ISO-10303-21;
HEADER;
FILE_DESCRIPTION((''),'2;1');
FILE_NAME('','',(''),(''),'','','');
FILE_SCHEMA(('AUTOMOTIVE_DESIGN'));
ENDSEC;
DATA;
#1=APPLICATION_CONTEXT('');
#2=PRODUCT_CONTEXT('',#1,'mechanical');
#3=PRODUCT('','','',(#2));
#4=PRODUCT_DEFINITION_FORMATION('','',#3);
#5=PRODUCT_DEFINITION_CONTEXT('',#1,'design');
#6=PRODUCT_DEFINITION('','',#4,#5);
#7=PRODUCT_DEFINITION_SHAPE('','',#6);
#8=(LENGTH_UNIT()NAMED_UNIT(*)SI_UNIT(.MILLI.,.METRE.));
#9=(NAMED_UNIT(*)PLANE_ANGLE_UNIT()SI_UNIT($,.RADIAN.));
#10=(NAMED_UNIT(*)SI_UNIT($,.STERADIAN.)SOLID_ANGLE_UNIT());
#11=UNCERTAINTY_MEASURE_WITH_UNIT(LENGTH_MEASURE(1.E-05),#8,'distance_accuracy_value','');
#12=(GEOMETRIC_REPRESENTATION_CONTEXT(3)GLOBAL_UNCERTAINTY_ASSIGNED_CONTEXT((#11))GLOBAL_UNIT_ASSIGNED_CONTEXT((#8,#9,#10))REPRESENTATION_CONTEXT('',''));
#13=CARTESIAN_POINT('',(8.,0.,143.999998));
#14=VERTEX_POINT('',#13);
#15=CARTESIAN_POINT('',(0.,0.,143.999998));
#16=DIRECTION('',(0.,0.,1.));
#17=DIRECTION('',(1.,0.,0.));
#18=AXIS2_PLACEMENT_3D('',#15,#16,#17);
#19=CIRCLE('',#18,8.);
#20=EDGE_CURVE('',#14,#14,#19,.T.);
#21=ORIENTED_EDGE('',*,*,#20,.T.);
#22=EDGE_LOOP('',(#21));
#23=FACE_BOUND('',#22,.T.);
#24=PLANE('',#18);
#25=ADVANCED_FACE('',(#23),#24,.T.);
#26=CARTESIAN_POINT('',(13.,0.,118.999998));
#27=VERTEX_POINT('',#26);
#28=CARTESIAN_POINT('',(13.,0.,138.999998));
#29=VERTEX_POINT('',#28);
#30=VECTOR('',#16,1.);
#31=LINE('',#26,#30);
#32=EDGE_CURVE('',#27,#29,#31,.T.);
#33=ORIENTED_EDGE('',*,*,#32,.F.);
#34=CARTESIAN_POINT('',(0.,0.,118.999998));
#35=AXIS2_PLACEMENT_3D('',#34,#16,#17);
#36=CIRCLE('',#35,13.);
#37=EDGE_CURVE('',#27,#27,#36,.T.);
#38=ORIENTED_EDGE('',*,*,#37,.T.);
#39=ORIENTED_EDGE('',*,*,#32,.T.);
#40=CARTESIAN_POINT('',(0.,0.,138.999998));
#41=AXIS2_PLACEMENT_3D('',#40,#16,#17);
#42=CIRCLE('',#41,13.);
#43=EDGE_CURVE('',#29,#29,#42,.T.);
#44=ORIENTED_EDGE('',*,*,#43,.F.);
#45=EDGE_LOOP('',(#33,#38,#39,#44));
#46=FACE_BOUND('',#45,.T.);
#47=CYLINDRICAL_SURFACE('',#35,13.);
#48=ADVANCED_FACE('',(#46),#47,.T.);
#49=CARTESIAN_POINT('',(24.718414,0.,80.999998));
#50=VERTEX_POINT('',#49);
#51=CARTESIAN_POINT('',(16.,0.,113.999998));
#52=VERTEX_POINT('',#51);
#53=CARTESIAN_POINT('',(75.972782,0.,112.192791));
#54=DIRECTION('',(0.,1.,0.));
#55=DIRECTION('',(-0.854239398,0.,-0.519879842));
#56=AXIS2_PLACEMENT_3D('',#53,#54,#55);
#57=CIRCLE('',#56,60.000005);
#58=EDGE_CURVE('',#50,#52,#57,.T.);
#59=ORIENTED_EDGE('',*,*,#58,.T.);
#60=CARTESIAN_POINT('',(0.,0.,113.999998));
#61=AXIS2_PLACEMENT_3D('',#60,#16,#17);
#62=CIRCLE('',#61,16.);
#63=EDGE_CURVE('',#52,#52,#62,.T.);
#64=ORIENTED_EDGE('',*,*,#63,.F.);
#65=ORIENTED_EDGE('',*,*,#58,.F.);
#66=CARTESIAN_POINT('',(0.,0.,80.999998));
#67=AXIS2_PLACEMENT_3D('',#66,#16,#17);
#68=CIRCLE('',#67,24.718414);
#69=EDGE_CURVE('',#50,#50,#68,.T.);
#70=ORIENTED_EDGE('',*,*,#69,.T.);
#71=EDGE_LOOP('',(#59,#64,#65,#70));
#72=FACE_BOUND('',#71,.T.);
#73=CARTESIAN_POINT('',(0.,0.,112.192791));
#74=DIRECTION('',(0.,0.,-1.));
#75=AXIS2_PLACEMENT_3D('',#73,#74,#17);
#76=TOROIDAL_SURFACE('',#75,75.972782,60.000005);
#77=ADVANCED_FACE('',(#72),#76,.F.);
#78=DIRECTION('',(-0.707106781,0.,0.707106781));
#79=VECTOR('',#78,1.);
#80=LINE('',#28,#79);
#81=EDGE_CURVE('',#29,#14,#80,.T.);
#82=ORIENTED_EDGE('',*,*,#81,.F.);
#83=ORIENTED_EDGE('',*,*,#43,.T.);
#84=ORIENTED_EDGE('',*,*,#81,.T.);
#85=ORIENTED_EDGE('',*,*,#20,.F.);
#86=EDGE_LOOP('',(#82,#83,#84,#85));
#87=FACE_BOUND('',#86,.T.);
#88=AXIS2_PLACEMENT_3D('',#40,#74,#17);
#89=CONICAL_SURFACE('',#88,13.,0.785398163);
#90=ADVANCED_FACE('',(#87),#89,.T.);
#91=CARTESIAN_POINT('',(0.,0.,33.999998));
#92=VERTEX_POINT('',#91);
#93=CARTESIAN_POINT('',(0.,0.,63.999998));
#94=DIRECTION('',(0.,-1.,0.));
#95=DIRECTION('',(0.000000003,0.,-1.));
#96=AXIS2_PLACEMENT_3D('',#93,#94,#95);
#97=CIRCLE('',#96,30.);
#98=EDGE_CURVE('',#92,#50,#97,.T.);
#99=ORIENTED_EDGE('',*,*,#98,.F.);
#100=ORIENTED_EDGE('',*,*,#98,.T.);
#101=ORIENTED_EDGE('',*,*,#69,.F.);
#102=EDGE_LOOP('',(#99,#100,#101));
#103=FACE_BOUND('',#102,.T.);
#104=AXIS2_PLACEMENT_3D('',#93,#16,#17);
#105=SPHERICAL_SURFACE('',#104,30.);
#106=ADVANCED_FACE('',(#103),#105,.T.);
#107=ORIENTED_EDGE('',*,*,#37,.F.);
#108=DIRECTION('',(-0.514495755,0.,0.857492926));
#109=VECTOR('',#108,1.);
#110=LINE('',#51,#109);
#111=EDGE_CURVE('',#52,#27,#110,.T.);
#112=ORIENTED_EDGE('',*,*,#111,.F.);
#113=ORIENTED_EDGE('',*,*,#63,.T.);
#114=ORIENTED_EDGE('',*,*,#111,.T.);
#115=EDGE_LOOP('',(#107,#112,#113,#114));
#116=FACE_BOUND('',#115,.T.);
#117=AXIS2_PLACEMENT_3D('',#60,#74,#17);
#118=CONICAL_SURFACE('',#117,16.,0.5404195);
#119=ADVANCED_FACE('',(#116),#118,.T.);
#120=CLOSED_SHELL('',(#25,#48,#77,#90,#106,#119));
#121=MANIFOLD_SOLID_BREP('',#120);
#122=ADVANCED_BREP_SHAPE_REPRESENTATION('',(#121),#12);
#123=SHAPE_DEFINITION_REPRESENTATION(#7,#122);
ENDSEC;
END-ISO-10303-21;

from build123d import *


with BuildPart() as f1:
    # F0 (on Front) → F1 (revolve)
    with BuildSketch(Plane.XZ):
        with BuildLine():
            Line((8, 143.999998), (0, 143.999998))
            Line((0, 143.999998), (0, 33.999998))
            ThreePointArc((0, 33.999998), (26.551836, 50.035758), (24.718414, 80.999998))
            ThreePointArc((24.718414, 80.999998), (17.96313, 96.866968), (16, 113.999998))
            Line((16, 113.999998), (13, 118.999998))
            Line((13, 118.999998), (13, 138.999998))
            Line((13, 138.999998), (8, 143.999998))
        make_face()
    revolve(axis=Axis((0, 0, 88.999998), (0, 0, 1)))


solid = f1.part
